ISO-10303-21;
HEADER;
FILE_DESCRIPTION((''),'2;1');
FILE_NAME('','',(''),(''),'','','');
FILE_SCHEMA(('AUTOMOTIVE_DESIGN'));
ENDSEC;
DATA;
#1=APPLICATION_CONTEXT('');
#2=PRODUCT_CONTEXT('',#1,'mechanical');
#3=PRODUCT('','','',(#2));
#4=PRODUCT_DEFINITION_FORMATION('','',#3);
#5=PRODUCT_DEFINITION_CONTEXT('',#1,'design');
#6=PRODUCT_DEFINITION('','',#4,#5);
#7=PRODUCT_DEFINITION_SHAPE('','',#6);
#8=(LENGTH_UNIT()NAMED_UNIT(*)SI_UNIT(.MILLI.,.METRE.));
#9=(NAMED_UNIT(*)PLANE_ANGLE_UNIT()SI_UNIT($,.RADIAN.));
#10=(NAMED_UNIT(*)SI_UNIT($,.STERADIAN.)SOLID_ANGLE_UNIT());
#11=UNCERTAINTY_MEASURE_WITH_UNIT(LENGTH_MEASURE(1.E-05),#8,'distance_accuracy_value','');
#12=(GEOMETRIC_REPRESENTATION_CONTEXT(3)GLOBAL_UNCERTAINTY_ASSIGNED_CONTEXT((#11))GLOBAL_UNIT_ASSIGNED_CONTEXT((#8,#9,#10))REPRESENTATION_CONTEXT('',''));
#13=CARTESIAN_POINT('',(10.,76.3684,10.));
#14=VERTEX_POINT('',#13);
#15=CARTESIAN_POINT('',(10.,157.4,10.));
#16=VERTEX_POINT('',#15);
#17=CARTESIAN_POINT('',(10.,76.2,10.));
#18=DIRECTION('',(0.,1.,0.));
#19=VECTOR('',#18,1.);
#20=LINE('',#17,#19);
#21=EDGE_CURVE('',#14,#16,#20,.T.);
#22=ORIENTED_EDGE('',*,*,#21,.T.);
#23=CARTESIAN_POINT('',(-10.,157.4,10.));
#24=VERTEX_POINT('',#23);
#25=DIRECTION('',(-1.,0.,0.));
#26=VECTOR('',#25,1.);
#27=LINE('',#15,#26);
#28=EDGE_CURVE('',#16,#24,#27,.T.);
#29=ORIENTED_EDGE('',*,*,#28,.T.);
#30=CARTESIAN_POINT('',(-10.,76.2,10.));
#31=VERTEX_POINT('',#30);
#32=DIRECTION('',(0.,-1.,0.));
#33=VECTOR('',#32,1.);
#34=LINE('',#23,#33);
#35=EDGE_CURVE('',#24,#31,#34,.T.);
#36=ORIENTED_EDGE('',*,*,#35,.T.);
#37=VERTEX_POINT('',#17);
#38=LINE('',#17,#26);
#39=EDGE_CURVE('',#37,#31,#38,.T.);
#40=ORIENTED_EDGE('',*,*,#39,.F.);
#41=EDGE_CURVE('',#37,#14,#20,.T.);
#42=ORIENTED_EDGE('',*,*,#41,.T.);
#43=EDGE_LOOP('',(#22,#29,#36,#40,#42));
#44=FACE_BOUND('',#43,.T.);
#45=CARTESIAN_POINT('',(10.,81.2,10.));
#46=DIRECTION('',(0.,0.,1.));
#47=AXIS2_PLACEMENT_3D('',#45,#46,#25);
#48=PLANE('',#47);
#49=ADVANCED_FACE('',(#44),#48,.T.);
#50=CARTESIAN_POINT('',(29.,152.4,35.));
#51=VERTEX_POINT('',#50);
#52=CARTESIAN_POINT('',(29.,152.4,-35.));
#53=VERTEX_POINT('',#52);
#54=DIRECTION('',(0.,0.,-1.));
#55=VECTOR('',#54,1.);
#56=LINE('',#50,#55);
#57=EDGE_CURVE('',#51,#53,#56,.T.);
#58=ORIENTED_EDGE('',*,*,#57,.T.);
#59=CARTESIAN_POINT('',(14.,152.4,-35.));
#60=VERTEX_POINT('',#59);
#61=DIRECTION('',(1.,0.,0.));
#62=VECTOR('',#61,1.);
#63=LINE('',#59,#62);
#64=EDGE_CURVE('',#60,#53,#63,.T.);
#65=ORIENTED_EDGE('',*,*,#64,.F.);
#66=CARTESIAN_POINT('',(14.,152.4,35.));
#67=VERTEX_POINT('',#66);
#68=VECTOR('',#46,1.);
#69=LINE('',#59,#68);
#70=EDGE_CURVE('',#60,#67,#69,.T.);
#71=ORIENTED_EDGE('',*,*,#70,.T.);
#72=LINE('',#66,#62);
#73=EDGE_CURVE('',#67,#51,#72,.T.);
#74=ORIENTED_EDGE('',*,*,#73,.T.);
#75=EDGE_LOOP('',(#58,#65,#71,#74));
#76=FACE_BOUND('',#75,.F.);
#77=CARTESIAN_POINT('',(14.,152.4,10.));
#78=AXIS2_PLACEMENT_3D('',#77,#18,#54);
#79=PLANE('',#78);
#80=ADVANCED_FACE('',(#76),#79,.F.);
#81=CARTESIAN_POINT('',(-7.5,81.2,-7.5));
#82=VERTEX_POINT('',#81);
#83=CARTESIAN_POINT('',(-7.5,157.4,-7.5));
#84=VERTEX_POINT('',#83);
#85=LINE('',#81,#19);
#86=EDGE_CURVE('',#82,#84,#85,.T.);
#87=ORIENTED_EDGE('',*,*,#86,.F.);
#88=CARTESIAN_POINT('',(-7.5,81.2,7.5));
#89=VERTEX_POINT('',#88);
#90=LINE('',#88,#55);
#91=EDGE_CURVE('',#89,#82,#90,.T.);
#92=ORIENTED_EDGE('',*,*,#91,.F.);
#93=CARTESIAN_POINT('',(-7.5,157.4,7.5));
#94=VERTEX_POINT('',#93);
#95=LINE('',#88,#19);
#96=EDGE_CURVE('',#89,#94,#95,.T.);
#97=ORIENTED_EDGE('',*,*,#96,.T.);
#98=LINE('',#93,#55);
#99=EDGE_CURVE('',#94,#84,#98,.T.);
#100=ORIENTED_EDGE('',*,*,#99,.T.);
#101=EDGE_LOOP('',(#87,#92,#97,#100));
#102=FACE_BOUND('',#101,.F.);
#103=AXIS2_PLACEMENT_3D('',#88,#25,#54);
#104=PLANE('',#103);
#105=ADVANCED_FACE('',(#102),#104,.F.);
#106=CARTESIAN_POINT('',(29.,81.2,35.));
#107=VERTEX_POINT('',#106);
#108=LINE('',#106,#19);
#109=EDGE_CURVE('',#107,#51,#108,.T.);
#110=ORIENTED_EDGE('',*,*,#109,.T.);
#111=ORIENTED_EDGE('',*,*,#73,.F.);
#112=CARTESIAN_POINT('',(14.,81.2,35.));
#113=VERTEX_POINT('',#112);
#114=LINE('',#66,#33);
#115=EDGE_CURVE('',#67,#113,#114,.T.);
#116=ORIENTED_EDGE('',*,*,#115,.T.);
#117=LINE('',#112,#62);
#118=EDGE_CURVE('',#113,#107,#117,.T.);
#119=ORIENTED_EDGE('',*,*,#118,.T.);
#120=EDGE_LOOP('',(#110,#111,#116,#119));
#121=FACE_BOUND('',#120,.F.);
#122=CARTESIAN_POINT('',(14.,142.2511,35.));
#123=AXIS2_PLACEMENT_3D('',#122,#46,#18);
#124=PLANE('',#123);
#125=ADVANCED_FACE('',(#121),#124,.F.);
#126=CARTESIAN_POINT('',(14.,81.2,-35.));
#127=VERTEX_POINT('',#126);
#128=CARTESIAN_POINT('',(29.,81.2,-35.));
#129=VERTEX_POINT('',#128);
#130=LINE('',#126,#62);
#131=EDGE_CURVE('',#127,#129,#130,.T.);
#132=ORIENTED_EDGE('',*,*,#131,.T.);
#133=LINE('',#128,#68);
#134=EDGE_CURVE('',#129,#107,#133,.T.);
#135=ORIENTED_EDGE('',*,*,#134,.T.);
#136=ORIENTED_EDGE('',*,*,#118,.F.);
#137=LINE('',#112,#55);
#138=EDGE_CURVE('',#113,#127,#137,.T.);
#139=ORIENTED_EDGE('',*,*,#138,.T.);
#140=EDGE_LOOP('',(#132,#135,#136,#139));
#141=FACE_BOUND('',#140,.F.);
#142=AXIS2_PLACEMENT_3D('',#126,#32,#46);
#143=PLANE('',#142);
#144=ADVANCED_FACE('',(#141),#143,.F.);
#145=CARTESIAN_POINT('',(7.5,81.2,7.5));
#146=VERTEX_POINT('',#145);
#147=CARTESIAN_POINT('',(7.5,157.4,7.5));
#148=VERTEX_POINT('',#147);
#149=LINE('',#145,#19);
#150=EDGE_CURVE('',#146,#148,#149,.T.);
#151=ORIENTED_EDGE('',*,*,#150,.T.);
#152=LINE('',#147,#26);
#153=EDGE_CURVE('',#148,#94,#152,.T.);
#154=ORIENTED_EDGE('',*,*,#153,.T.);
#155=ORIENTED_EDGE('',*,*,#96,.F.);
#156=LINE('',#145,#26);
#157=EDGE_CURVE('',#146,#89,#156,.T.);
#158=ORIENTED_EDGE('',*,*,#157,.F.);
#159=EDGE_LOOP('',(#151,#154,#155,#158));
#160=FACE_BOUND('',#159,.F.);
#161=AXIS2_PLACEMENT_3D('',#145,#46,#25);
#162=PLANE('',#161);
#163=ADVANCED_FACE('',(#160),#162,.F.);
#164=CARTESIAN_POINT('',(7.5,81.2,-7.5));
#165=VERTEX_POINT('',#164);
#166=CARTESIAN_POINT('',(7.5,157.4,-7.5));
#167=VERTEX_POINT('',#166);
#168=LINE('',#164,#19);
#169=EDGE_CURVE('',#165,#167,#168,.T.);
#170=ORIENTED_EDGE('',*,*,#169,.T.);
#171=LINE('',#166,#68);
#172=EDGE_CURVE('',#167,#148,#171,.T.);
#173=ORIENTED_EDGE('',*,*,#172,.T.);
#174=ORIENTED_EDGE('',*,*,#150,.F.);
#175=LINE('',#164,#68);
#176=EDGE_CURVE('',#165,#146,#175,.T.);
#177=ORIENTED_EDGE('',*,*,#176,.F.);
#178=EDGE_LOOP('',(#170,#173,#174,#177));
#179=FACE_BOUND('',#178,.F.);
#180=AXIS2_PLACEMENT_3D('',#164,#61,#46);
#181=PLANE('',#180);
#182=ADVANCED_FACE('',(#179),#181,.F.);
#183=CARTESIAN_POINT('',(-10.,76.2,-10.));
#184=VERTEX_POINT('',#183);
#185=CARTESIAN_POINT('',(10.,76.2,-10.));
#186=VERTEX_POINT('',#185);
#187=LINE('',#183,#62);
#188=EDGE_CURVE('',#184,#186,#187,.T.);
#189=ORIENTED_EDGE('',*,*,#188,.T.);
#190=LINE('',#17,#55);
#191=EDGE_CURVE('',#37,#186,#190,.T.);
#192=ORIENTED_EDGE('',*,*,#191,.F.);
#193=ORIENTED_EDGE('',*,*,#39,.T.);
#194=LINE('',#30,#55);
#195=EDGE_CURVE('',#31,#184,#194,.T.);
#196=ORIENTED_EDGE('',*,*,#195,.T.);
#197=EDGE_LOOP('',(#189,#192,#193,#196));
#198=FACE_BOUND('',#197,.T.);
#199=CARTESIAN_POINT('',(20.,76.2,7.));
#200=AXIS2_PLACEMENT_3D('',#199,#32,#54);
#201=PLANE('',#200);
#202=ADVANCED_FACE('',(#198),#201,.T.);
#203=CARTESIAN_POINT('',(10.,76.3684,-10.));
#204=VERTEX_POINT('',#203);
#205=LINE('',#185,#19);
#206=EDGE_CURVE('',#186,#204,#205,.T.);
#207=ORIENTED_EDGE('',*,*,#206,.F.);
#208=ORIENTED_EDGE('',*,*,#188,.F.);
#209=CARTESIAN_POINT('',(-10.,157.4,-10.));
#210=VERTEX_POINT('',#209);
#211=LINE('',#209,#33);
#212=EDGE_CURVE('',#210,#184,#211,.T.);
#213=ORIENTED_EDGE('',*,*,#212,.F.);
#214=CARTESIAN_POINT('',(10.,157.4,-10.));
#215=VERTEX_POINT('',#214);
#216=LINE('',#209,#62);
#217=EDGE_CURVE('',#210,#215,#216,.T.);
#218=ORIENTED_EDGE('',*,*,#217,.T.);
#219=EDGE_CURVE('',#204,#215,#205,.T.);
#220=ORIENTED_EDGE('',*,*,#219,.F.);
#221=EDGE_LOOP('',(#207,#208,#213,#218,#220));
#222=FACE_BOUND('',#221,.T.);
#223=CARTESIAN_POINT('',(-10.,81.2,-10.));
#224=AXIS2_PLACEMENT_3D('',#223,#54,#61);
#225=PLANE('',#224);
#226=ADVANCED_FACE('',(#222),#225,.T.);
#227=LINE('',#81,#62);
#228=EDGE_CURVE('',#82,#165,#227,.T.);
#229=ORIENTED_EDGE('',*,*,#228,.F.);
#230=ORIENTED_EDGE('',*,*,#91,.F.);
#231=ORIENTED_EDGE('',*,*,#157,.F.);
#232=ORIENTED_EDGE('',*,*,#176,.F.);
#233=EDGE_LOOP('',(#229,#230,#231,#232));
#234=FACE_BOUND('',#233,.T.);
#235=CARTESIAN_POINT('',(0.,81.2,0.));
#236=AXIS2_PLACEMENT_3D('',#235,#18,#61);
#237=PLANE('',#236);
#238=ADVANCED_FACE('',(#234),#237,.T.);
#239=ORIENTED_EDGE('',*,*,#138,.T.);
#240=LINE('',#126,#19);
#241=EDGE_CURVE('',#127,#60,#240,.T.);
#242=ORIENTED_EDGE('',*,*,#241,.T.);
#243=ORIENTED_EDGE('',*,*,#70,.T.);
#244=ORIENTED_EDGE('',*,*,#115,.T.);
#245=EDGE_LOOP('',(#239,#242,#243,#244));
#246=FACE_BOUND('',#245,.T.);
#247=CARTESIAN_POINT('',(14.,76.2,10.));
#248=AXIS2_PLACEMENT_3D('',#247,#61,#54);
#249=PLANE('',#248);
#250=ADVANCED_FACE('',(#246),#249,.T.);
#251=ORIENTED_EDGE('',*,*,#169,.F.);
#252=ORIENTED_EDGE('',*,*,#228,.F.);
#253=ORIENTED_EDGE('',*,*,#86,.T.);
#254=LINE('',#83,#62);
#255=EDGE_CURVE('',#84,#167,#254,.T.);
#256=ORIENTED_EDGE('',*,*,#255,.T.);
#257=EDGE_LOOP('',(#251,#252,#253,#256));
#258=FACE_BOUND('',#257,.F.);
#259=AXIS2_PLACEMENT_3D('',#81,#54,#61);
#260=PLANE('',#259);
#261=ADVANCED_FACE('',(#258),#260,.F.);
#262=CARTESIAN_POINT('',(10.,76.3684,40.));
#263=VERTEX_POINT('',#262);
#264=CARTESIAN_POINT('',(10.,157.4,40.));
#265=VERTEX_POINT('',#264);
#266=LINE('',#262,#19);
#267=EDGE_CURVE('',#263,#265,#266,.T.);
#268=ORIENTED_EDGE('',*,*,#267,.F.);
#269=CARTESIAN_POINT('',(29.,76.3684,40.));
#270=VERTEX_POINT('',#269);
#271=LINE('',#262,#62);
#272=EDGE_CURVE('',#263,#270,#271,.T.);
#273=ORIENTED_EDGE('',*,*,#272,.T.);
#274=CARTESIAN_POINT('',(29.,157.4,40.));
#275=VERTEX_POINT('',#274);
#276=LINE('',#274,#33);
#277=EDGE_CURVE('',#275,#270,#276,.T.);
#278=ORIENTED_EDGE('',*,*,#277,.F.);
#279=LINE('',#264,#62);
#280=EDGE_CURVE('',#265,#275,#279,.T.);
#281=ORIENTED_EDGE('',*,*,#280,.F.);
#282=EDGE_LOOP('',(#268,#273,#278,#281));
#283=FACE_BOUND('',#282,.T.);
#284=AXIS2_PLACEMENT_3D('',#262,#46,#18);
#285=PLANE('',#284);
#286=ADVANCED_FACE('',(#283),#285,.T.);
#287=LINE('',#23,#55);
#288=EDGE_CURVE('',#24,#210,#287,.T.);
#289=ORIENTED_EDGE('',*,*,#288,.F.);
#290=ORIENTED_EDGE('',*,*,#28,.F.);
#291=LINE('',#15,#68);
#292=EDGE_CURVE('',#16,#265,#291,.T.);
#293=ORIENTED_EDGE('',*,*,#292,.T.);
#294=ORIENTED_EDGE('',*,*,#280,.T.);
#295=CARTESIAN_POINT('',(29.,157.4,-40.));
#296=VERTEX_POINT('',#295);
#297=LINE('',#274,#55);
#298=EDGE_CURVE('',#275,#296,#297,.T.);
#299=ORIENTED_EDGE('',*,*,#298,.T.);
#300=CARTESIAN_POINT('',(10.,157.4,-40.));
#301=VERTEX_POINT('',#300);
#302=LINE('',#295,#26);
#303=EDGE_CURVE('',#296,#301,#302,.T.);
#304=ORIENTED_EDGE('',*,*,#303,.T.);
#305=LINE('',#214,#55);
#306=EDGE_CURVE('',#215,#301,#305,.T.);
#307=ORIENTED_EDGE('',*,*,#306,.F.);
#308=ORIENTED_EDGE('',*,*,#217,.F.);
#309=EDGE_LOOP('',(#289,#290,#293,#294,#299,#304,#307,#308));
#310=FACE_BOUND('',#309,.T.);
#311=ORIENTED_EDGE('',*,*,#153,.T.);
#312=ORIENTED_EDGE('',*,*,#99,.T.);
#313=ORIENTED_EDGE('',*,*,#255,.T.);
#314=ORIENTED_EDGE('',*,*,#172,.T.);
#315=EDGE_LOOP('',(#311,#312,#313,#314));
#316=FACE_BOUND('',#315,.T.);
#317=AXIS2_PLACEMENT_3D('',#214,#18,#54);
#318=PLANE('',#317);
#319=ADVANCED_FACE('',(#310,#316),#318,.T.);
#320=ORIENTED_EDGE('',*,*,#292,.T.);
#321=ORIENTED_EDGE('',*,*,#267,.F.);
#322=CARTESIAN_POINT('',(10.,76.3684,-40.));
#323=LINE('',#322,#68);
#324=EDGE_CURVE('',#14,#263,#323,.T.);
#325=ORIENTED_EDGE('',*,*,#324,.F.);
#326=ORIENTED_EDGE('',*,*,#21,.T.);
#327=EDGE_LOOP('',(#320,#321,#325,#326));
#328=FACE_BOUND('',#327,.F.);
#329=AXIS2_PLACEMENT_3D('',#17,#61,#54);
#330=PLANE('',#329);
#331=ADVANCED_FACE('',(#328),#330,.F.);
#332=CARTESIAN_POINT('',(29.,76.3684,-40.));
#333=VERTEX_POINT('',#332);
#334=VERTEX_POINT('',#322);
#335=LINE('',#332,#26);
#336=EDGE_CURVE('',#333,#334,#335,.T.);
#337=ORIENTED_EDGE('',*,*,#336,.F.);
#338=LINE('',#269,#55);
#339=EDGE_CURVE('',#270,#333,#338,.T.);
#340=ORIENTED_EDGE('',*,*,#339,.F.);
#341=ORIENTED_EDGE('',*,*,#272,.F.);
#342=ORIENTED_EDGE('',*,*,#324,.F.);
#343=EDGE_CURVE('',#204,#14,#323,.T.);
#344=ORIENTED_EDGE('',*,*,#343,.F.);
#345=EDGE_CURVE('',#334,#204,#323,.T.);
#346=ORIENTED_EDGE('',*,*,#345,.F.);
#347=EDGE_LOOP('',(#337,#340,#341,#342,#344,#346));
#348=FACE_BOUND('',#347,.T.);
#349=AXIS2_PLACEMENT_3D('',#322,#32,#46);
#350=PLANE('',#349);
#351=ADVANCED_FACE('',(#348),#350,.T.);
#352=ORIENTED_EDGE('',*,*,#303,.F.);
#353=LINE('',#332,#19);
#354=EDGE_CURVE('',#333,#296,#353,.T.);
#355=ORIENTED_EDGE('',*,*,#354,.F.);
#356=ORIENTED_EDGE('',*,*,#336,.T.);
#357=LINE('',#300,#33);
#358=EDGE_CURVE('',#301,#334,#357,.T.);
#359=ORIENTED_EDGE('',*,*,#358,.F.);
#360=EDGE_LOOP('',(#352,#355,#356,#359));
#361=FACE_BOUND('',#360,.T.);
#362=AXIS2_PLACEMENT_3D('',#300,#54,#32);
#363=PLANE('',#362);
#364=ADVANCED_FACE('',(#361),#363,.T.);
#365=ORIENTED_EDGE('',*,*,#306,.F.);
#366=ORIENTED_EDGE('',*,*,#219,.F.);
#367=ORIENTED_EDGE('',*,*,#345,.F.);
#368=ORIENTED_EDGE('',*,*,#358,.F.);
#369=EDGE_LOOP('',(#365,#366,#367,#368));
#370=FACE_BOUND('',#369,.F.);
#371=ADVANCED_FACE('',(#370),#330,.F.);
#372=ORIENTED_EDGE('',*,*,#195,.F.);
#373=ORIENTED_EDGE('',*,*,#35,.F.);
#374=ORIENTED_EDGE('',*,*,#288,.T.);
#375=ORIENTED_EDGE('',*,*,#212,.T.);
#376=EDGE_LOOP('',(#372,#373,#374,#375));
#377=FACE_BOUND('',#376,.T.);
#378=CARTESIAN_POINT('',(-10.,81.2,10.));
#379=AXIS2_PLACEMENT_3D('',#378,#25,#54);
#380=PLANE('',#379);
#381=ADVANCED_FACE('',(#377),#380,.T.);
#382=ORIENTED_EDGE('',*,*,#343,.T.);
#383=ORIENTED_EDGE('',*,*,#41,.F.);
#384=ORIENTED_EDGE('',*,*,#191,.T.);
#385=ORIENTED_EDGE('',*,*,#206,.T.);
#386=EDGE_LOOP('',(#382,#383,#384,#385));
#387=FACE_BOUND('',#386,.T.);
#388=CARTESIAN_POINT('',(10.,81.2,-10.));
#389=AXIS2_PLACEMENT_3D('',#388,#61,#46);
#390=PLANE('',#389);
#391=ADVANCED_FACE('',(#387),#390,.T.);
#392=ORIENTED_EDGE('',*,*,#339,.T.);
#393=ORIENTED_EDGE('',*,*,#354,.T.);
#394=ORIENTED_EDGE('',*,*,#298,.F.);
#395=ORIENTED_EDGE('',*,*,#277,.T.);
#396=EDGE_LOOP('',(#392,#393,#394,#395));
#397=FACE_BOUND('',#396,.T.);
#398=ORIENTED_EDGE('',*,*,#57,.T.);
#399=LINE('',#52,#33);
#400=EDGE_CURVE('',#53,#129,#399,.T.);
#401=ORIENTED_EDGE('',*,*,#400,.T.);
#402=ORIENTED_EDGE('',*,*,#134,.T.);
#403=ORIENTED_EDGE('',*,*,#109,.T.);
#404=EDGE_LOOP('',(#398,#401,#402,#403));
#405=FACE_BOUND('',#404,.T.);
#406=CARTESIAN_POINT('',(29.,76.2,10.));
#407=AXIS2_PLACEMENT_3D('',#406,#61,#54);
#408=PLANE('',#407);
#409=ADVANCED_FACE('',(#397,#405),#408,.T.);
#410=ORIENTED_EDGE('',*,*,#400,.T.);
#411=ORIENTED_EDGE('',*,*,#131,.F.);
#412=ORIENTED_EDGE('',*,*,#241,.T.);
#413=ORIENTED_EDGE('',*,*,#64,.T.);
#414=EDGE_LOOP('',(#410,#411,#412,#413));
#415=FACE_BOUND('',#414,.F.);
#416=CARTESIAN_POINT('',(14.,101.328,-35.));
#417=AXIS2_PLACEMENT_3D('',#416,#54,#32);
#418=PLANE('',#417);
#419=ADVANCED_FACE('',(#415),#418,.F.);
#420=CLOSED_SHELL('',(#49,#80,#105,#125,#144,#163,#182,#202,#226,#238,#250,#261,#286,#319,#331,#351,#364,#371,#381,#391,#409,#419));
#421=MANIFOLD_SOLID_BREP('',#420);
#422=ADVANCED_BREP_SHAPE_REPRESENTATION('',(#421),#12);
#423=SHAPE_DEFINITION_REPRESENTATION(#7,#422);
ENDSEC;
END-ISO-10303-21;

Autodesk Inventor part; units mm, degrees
ref_plane "YZ Plane" through (0, 0, 0) normal (1, 0, 0) x (0, 1, 0)
ref_plane "XZ Plane" through (0, 0, 0) normal (0, 1, 0) x (-1, 0, 0)
ref_plane "XY Plane" through (0, 0, 0) normal (0, 0, 1) x (1, 0, 0)
sketch "Sketch1" plane through (0, 0, 0) normal (0, 1, 0) x (-1, 0, 0)
  line L0 (-7.25, 7.25) -> (7.25, 7.25)
  line L1 (7.25, 7.25) -> (7.25, -7.25)
  line L2 (7.25, -7.25) -> (-7.25, -7.25)
  line L3 (-7.25, -7.25) -> (-7.25, 7.25)
  line L4 (-7.25, 7.25) -> (7.25, -7.25) construction
  line L5 (7.25, 7.25) -> (-7.25, -7.25) construction
  point P0 (0, 0)
  dimension "d0" = 14.5
  dimension "d1" = 14.5
extrude "Extrusion1" add sketch "Sketch1" along normal blind 76.2
sketch "Sketch2" plane through (0, 76.2, 0) normal (0, 1, 0) x (1, 0, 0)
  line L0 (10, -10) -> (-10, -10)
  line L1 (-10, -10) -> (-10, 10)
  line L2 (-10, 10) -> (10, 10)
  line L3 (10, 10) -> (10, -10)
  line L4 (10, -10) -> (-10, 10) construction
  line L5 (-10, -10) -> (10, 10) construction
  point P0 (0, 0)
  dimension "d4" = 20
  dimension "d5" = 20
extrude "Extrusion2" add sketch "Sketch2" along normal blind 5
sketch "Sketch3" plane through (0, 81.2, 0) normal (0, 1, 0) x (1, 0, 0)
  line L0 (7.5, -7.5) -> (-7.5, -7.5)
  line L1 (-7.5, -7.5) -> (-7.5, 7.5)
  line L2 (-7.5, 7.5) -> (7.5, 7.5)
  line L3 (7.5, 7.5) -> (7.5, -7.5)
  line L4 (7.5, -7.5) -> (-7.5, 7.5) construction
  line L5 (-7.5, -7.5) -> (7.5, 7.5) construction
  line L6 (10, -10) -> (-10, -10)
  line L7 (-10, -10) -> (-10, 10)
  line L8 (-10, 10) -> (10, 10)
  line L9 (10, 10) -> (10, -10)
  line L10 (10, -10) -> (-10, 10) construction
  line L11 (-10, -10) -> (10, 10) construction
  point P0 (0, 0)
  dimension "d8" = 15
  dimension "d9" = 15
extrude "Extrusion3" add sketch "Sketch3" along normal blind 76.2
sketch "Sketch4" plane through (10, 76.2, 10) normal (1, 0, 0) x (0, 0, -1)
  line L0 (20, 0) -> (20, 81.2) projected
  line L1 (15, 81.2) -> (15, 0)
  line L2 (0, 0) -> (20, 0) projected
  line L3 (15, 81.2) -> (13, 81.2)
  line L4 (17.5, 81.2) -> (2.5, 81.2) projected
  line L5 (13, 81.2) -> (13, 0)
  line L6 (13, 0) -> (15, 0)
  line L7 (20, 81.2) -> (0, 81.2) projected
  point P0 (10, -76.2)
  dimension "d12" = 2
extrude "Extrusion4" add sketch "Sketch4" along normal blind 10 contours L2 L5 L3 L1
sketch "Sketch5" plane through (10, 76.2, -3) normal (0, 0, 1) x (1, 0, 0)
  line L0 (0, 81.2) -> (10, 81.2) projected
  line L1 (10, 81.2) -> (8, 81.2)
  line L2 (8, 81.2) -> (8, 0)
  line L3 (8, 0) -> (10, 0)
  line L4 (10, 0) -> (10, 81.2)
  point P0 (-10, -76.2)
  dimension "d15" = 2
extrude "Extrusion5" add sketch "Sketch5" along normal blind 8
sketch "Sketch6" plane through (20, 76.2, 10) normal (1, 0, 0) x (0, 0, -1)
  line L0 (5, 81.2) -> (3, 81.2)
  line L1 (3, 81.2) -> (3, 0)
  line L2 (3, 0) -> (5, 0)
  line L3 (5, 0) -> (5, 81.2)
  point P0 (10, -76.2)
  dimension "d18" = 2
extrude "Extrusion6" add sketch "Sketch6" against normal blind 4
sketch "Sketch7" plane through (0, 157.4, 0) normal (0, 1, 0) x (1, 0, 0)
  line L0 (18, 3) -> (18, -5)
  line L1 (18, 3) -> (18, -5) projected
  line L2 (18, -1) -> (10, -1)
  line L3 (10, 3) -> (10, -10) projected
  line L4 (10, -10) -> (10, -1)
  line L5 (10, 10) -> (10, -1)
  line L6 (10, 5) -> (20, 5)
  line L7 (10, 3) -> (18, 3)
  line L8 (10, 3) -> (18, 3) projected
  point P0 (0, 0)
sketch "Sketch8" plane through (0, 76.2, 0) normal (0, -1, 0) x (1, 0, 0)
  line L0 (16, 7) -> (16, 5)
  line L1 (16, 7) -> (16, 5) projected
  line L2 (18, 5) -> (18, -3)
  line L3 (18, -3) -> (18, 5) projected
  line L4 (16, 6) -> (16, 1)
  point P0 (0, 0)
  dimension "d21" = 5
sketch "Sketch9" plane through (7.25, 0, 7.25) normal (1, 0, 0) x (0, 0, -1)
  line L0 (0, 0) -> (14.5, 0)
  line L1 (14.5, 0) -> (14.5, 76.2)
  line L2 (14.5, 76.2) -> (0, 76.2)
  line L3 (0, 76.2) -> (0, 0)
  point P0 (7.25, 0)
extrude "Extrusion7" cut sketch "Sketch9" against normal through all
sketch "Sketch10" plane through (0, 76.2, 0) normal (0, -1, 0) x (1, 0, 0)
  line L0 (10, -5) -> (20, -5)
  line L1 (20, -5) -> (20, 7)
  line L2 (20, 7) -> (10, 7)
  line L3 (10, 7) -> (10, -5)
  point P0 (0, 0)
extrude "Extrusion8" cut sketch "Sketch10" against normal through all
sketch "Sketch11" plane through (10, 76.2, 10) normal (1, 0, 0) x (0, 0, -1)
  line L0 (20, 81.2) -> (50, 81.2)
  line L1 (0, 81.2) -> (-30, 81.2)
  line L2 (-30, 81.2) -> (50, 81.2)
  line L3 (50, 81.2) -> (50, 0.1684)
  line L4 (50, 0.1684) -> (-30, 0.1684)
  line L5 (-30, 0.1684) -> (-30, 81.2)
  point P0 (10, -76.2)
  dimension "d26" = 30
  dimension "d27" = 30
extrude "Extrusion9" add sketch "Sketch11" along normal blind 4
sketch "Sketch12" plane through (14, 76.2, 10) normal (1, 0, 0) x (0, 0, -1)
  line L0 (0, 81.2) -> (0, 76.2)
  line L1 (0, 0) -> (0, 81.2) projected
  line L2 (0, 66.0511) -> (-25, 66.0511)
  line L3 (-30, 81.2) -> (-30, 0.1684) projected
  line L4 (0, 25.128) -> (45, 25.128)
  line L5 (50, 0.1684) -> (50, 81.2) projected
  line L6 (31.5529, 0) -> (31.5529, 5)
  line L7 (-25, 76.2) -> (45, 76.2)
  line L8 (45, 76.2) -> (45, 5)
  line L9 (45, 5) -> (-25, 5)
  line L10 (-25, 5) -> (-25, 76.2)
  line L11 (-30, 81.2) -> (50, 81.2)
  line L12 (50, 81.2) -> (50, 0.1684)
  line L13 (50, 0.1684) -> (-30, 0.1684)
  line L14 (-30, 0.1684) -> (-30, 81.2)
  point P0 (10, -76.2)
  dimension "d30" = 5
  dimension "d31" = 25
  dimension "d32" = 45
  dimension "d33" = 5
extrude "Extrusion10" add sketch "Sketch12" along normal blind 15 contours L11 L5 L13 L6 L9 L8 L7 L0 | L0 L7 L10 L9 L1 L13 L3 L11 | L1 L9 L6 L13
properties part number "CouterWeightLink"
